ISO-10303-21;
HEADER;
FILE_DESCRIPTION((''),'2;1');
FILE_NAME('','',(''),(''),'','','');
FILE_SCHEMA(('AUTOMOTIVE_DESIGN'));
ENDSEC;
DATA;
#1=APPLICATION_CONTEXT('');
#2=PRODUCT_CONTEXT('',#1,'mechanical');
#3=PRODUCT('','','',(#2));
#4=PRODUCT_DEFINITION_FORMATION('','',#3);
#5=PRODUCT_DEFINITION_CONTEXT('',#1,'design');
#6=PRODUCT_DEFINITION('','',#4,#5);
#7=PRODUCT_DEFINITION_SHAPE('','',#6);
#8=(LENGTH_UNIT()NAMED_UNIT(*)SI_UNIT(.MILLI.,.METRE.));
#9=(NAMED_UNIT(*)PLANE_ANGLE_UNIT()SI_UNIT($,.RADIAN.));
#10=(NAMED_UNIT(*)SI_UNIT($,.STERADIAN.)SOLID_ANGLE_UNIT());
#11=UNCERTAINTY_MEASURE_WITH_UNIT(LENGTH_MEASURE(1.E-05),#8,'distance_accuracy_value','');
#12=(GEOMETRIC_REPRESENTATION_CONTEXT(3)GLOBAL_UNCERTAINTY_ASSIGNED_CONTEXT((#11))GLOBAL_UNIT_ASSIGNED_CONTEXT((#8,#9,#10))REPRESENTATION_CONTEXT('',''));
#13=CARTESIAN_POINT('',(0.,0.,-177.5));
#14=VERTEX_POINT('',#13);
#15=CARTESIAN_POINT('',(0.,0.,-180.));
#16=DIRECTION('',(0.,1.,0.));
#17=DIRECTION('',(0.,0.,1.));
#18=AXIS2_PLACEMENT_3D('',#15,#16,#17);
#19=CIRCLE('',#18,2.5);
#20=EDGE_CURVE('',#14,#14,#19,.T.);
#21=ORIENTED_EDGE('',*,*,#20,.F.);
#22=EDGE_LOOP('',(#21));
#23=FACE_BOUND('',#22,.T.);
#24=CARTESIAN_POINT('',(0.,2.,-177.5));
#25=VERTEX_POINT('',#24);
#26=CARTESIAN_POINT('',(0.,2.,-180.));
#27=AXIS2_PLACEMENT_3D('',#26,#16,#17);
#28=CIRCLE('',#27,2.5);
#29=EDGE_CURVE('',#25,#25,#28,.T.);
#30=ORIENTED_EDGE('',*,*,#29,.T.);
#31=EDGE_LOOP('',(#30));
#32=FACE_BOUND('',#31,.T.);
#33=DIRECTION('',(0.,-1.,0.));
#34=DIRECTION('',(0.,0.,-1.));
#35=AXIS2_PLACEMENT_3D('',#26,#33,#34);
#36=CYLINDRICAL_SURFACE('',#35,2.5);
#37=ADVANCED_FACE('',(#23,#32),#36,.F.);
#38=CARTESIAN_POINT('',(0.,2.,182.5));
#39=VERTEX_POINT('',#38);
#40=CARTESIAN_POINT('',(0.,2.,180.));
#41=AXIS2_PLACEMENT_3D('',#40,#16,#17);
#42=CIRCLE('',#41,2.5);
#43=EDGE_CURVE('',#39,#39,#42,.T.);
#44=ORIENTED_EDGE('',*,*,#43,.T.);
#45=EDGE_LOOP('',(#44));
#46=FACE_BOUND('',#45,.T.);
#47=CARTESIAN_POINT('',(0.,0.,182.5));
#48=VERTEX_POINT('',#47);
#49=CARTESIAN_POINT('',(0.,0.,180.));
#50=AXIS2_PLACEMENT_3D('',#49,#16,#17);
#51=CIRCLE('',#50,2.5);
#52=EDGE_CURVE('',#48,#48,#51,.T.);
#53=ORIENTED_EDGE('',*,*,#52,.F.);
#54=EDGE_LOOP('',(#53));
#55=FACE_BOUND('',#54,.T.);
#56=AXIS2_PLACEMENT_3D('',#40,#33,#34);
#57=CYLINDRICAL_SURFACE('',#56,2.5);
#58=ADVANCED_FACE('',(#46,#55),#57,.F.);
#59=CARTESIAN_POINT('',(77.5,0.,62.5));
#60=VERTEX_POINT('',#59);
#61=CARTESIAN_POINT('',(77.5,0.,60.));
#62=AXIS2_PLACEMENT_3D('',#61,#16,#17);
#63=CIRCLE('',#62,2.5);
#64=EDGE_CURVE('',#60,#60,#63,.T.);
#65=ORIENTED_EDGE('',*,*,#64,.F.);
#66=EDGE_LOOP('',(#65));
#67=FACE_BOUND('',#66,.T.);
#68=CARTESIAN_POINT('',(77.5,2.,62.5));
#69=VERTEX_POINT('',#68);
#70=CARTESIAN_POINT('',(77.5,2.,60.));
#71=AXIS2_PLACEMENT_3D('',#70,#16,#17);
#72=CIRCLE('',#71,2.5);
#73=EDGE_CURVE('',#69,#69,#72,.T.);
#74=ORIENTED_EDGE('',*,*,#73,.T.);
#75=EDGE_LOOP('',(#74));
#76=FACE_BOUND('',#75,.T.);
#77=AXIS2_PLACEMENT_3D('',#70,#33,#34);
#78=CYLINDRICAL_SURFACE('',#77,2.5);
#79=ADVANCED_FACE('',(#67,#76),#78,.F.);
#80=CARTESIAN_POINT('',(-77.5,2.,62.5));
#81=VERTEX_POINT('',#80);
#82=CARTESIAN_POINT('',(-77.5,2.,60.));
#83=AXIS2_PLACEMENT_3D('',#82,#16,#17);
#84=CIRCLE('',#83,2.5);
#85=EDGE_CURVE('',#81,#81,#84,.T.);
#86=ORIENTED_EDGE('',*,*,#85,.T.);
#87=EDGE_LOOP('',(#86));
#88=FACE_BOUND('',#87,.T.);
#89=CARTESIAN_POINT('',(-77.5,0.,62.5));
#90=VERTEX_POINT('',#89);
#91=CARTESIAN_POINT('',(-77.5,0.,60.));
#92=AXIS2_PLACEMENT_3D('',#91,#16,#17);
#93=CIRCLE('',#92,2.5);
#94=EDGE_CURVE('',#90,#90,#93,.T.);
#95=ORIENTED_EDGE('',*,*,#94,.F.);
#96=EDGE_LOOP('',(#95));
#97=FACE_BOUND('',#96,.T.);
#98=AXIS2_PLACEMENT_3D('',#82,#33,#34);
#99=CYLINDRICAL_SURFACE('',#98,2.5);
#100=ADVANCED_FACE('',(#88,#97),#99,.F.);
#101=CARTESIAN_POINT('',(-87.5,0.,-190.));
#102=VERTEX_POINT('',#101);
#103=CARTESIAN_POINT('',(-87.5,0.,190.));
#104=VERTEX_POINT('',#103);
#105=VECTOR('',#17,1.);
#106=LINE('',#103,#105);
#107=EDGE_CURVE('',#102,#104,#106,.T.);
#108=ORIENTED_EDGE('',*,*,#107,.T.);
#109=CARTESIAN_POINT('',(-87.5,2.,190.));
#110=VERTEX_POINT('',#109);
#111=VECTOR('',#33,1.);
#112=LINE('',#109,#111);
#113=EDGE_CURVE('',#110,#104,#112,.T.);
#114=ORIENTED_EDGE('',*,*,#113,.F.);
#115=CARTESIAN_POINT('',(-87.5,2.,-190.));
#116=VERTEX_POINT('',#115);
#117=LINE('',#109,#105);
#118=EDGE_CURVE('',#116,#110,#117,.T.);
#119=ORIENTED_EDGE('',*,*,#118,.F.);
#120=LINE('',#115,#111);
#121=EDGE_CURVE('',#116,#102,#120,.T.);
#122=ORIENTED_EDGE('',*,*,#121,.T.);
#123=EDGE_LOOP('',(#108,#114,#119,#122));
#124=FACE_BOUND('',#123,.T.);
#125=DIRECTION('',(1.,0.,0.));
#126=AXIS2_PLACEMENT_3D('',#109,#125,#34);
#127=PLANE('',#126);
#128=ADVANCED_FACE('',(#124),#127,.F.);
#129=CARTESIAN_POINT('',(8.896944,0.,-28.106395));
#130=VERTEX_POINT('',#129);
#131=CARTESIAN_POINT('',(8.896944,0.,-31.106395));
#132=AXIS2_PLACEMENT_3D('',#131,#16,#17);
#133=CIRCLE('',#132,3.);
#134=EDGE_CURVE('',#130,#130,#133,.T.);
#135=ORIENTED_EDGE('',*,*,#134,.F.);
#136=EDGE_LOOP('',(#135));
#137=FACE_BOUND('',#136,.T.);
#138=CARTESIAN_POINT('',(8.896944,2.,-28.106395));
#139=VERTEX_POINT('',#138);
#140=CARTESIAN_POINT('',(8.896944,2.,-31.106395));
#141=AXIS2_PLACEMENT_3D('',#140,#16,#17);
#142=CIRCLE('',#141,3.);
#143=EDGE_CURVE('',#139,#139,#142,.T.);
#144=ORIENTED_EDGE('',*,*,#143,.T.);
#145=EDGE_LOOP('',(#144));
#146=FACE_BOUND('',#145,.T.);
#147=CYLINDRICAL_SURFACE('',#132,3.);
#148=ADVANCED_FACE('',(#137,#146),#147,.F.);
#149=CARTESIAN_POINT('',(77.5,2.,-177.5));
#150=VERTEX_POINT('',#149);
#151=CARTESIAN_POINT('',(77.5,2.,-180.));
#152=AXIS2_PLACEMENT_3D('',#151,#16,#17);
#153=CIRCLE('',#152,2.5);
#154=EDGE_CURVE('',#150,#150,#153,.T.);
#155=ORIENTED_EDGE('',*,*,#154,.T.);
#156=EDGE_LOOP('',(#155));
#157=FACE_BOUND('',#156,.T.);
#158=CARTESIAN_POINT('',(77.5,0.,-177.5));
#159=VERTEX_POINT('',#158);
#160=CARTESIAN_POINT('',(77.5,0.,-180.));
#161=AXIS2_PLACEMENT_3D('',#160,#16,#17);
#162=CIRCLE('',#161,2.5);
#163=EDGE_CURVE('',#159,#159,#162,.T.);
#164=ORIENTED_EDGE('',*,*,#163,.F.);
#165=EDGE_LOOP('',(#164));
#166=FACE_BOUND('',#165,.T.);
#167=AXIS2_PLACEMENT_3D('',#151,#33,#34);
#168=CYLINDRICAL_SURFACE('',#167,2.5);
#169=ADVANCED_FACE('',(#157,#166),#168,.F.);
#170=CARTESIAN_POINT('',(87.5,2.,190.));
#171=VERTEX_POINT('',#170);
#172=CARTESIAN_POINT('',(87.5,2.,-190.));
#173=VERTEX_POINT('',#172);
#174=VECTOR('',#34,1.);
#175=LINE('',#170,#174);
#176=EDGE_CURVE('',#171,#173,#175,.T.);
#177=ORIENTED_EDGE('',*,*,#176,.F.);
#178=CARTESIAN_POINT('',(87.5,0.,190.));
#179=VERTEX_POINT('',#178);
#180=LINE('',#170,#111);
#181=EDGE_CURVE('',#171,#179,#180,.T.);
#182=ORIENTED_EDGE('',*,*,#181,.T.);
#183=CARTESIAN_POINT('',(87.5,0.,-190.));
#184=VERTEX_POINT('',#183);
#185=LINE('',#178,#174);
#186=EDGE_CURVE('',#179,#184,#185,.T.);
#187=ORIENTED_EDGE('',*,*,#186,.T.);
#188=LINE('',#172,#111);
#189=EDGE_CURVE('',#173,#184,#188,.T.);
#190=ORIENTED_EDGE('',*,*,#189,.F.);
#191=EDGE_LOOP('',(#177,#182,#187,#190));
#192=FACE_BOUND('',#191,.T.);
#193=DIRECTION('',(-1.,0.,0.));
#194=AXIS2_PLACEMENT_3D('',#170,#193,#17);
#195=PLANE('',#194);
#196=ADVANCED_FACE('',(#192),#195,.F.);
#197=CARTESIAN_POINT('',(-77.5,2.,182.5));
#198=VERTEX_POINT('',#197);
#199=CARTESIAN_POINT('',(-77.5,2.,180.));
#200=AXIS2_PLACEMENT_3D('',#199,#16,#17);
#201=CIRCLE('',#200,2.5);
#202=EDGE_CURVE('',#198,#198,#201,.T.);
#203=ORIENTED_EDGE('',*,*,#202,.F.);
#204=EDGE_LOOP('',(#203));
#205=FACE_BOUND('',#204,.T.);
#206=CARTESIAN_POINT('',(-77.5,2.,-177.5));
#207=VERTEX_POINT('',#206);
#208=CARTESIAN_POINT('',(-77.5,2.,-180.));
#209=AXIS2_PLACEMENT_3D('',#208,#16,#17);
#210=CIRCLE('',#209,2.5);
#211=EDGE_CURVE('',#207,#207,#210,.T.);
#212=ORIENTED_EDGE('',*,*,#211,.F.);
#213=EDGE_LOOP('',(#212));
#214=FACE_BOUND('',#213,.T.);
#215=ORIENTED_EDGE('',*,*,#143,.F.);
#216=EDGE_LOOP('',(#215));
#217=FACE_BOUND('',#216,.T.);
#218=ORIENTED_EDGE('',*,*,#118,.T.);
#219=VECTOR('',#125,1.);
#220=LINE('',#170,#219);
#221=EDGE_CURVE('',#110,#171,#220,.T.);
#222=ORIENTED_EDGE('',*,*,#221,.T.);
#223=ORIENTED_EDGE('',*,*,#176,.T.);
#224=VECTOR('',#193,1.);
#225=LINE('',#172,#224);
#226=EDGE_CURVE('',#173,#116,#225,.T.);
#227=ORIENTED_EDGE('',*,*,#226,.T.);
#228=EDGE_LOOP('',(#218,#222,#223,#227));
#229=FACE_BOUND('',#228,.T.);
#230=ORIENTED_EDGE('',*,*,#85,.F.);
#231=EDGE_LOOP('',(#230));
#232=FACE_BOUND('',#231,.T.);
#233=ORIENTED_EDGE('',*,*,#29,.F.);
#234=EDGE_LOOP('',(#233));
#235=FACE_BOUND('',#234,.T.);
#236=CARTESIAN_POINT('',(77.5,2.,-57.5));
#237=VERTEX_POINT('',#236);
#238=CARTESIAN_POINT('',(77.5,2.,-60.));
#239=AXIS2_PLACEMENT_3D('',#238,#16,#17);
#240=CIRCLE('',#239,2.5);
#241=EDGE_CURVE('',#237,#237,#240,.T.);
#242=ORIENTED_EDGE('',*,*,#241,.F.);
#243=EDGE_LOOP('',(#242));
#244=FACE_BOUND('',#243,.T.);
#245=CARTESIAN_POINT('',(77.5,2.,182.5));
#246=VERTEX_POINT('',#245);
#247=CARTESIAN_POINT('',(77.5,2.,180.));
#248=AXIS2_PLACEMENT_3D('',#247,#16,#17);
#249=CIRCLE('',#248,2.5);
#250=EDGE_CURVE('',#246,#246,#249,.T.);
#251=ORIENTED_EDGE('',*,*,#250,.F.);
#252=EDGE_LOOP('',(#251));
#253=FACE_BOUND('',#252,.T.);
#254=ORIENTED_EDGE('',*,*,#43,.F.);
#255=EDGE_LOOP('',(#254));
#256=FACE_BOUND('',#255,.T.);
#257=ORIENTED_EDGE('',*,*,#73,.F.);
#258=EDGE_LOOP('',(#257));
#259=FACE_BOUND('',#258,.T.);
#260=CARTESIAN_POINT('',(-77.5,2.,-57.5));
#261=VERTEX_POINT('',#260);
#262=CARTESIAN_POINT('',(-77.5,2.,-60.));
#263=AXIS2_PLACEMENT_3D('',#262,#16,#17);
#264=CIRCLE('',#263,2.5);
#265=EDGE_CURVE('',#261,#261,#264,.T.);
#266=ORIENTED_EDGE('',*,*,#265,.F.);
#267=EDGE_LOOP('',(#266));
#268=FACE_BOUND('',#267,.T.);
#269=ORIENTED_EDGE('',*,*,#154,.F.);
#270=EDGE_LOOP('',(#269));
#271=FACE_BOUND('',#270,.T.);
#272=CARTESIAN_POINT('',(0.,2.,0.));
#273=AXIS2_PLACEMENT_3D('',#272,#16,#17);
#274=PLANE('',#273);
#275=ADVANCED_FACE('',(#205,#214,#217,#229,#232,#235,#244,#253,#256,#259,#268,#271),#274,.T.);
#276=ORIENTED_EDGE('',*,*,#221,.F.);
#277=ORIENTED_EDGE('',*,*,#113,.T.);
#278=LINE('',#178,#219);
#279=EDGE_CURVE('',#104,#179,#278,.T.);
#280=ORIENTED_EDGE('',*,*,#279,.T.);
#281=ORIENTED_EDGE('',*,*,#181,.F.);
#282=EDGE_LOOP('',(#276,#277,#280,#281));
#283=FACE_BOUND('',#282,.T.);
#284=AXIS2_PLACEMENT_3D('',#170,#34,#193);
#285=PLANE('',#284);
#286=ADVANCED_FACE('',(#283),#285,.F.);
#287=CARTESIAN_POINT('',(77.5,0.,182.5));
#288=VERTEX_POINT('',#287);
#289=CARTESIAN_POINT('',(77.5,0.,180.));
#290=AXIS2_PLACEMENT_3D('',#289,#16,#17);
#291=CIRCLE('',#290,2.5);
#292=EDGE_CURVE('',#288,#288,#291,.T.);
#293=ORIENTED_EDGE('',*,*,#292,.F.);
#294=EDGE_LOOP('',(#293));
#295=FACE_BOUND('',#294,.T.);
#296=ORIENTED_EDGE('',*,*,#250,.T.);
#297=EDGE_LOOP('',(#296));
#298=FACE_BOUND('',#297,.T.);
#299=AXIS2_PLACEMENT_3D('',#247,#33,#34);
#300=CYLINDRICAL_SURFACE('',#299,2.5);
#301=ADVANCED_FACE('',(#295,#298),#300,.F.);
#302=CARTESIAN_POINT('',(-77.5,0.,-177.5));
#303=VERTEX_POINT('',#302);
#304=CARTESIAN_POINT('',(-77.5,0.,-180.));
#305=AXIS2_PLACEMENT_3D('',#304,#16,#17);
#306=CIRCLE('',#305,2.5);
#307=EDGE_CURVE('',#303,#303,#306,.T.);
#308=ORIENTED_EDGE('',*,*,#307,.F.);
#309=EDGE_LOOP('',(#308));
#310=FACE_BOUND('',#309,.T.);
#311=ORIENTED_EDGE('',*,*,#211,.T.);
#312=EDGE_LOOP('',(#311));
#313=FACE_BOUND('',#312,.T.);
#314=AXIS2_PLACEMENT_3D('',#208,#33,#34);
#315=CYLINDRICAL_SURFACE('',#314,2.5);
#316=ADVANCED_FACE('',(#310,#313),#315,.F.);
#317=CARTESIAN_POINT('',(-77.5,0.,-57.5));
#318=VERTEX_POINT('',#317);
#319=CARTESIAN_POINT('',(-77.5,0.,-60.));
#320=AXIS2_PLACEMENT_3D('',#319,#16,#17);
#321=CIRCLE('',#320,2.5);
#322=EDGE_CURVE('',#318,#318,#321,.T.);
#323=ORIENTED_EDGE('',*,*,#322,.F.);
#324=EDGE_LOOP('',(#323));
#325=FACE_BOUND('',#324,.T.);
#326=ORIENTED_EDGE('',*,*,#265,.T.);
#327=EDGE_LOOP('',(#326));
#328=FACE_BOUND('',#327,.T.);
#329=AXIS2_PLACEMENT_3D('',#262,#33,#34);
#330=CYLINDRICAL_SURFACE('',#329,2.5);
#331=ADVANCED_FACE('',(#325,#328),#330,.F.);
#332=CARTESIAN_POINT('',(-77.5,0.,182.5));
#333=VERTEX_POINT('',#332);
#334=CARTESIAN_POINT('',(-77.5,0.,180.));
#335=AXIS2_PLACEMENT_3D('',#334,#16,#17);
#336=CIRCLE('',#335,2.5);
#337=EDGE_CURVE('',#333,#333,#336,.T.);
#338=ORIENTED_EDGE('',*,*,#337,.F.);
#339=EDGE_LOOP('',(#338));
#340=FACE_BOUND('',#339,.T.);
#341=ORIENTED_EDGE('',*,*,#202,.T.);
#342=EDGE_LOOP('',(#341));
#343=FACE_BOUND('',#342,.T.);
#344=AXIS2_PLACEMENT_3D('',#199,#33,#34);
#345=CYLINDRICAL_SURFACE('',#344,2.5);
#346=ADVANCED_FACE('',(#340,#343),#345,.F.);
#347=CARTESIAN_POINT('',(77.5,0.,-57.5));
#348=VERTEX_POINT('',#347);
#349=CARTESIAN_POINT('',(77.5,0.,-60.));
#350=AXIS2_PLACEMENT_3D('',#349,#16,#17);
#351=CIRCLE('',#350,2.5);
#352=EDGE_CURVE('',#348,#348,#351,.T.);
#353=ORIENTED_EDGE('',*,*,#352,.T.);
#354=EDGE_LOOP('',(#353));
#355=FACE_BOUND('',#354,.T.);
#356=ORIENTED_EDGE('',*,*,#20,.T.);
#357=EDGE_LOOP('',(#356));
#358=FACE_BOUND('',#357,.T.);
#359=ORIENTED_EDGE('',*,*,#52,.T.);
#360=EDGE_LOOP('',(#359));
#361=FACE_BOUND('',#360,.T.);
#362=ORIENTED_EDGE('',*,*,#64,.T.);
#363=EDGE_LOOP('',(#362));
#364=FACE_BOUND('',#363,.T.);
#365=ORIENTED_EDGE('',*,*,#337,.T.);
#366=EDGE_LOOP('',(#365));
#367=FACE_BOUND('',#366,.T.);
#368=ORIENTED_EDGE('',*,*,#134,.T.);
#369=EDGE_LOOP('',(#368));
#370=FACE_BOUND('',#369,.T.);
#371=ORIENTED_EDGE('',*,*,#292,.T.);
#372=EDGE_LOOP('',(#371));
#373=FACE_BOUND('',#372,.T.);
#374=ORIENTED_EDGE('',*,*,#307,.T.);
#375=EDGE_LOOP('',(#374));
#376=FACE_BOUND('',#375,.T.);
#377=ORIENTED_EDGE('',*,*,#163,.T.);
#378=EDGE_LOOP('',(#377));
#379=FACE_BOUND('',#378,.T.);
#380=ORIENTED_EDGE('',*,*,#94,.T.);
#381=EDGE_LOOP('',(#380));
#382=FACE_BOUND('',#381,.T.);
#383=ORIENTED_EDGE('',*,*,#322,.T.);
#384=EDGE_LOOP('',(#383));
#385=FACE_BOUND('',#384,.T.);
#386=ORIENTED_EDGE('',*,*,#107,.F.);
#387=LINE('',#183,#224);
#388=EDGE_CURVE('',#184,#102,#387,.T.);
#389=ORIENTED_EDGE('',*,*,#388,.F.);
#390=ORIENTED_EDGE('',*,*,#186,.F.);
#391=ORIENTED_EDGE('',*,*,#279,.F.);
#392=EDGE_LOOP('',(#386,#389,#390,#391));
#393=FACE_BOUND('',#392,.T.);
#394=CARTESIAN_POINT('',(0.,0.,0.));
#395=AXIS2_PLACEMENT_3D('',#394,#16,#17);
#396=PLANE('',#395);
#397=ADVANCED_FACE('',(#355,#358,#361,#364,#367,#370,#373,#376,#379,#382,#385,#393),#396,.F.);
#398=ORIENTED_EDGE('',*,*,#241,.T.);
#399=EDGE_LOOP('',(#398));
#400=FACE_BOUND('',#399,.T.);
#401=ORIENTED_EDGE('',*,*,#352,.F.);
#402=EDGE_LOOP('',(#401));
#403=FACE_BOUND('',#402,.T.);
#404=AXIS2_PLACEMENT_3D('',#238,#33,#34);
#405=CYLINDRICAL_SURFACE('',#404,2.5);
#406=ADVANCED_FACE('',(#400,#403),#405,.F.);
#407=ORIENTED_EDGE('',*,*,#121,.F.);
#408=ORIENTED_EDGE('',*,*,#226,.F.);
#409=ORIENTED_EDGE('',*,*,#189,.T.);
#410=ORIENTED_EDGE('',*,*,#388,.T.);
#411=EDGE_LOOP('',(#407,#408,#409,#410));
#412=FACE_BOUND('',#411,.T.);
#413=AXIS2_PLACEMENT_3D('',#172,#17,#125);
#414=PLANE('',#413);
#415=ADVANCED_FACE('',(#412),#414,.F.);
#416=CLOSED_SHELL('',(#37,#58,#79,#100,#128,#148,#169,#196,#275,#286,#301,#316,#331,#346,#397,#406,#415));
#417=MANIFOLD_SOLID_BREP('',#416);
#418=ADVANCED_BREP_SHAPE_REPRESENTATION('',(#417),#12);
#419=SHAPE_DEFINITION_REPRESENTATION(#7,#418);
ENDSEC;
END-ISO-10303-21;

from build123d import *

# Parameters (mm, degrees)
SKICA1_W                 = 175
SKICA1_H                 = 380
SKICA1_R                 = 2.5
P_IDAT_VYSUNUT_M1_DEPTH  = 2
SKICA2_R                 = 3
ODEBRAT_VYSUNUT_M1_DEPTH = 2


with BuildPart() as part:
    # Skica1 → Přidat vysunutím1 (new body)
    with BuildSketch(Plane(origin=(0, 0, 0), x_dir=(1, 0, 0), z_dir=(0, 1, 0))):
        Rectangle(SKICA1_W, SKICA1_H)
        with Locations(Location((-77.5, 180, 0), (0, 0, 270))):
            Circle(SKICA1_R, mode=Mode.SUBTRACT)
        with Locations(Location((0, 180, 0), (0, 0, 270))):
            Circle(SKICA1_R, mode=Mode.SUBTRACT)
        with Locations(Location((77.5, 180, 0), (0, 0, 270))):
            Circle(SKICA1_R, mode=Mode.SUBTRACT)
        with Locations(Location((77.5, 60, 0), (0, 0, 270))):
            Circle(SKICA1_R, mode=Mode.SUBTRACT)
        with Locations(Location((77.5, -60, 0), (0, 0, 270))):
            Circle(SKICA1_R, mode=Mode.SUBTRACT)
        with Locations(Location((0, -180, 0), (0, 0, 270))):
            Circle(SKICA1_R, mode=Mode.SUBTRACT)
        with Locations(Location((77.5, -180, 0), (0, 0, 270))):
            Circle(SKICA1_R, mode=Mode.SUBTRACT)
        with Locations(Location((-77.5, 60, 0), (0, 0, 270))):
            Circle(SKICA1_R, mode=Mode.SUBTRACT)
        with Locations(Location((-77.5, -60, 0), (0, 0, 270))):
            Circle(SKICA1_R, mode=Mode.SUBTRACT)
        with Locations(Location((-77.5, -180, 0), (0, 0, 270))):
            Circle(SKICA1_R, mode=Mode.SUBTRACT)
    extrude(amount=P_IDAT_VYSUNUT_M1_DEPTH)

    # Skica2 → Odebrat vysunutím1 (cut)
    with BuildSketch(Plane(origin=(0, 2, 0), x_dir=(1, 0, 0), z_dir=(0, 1, 0))):
        with Locations(Location((8.896944134, 31.106394631, 0), (0, 0, 270))):
            Circle(SKICA2_R)
    extrude(amount=-ODEBRAT_VYSUNUT_M1_DEPTH, mode=Mode.SUBTRACT)


solid = part.part
